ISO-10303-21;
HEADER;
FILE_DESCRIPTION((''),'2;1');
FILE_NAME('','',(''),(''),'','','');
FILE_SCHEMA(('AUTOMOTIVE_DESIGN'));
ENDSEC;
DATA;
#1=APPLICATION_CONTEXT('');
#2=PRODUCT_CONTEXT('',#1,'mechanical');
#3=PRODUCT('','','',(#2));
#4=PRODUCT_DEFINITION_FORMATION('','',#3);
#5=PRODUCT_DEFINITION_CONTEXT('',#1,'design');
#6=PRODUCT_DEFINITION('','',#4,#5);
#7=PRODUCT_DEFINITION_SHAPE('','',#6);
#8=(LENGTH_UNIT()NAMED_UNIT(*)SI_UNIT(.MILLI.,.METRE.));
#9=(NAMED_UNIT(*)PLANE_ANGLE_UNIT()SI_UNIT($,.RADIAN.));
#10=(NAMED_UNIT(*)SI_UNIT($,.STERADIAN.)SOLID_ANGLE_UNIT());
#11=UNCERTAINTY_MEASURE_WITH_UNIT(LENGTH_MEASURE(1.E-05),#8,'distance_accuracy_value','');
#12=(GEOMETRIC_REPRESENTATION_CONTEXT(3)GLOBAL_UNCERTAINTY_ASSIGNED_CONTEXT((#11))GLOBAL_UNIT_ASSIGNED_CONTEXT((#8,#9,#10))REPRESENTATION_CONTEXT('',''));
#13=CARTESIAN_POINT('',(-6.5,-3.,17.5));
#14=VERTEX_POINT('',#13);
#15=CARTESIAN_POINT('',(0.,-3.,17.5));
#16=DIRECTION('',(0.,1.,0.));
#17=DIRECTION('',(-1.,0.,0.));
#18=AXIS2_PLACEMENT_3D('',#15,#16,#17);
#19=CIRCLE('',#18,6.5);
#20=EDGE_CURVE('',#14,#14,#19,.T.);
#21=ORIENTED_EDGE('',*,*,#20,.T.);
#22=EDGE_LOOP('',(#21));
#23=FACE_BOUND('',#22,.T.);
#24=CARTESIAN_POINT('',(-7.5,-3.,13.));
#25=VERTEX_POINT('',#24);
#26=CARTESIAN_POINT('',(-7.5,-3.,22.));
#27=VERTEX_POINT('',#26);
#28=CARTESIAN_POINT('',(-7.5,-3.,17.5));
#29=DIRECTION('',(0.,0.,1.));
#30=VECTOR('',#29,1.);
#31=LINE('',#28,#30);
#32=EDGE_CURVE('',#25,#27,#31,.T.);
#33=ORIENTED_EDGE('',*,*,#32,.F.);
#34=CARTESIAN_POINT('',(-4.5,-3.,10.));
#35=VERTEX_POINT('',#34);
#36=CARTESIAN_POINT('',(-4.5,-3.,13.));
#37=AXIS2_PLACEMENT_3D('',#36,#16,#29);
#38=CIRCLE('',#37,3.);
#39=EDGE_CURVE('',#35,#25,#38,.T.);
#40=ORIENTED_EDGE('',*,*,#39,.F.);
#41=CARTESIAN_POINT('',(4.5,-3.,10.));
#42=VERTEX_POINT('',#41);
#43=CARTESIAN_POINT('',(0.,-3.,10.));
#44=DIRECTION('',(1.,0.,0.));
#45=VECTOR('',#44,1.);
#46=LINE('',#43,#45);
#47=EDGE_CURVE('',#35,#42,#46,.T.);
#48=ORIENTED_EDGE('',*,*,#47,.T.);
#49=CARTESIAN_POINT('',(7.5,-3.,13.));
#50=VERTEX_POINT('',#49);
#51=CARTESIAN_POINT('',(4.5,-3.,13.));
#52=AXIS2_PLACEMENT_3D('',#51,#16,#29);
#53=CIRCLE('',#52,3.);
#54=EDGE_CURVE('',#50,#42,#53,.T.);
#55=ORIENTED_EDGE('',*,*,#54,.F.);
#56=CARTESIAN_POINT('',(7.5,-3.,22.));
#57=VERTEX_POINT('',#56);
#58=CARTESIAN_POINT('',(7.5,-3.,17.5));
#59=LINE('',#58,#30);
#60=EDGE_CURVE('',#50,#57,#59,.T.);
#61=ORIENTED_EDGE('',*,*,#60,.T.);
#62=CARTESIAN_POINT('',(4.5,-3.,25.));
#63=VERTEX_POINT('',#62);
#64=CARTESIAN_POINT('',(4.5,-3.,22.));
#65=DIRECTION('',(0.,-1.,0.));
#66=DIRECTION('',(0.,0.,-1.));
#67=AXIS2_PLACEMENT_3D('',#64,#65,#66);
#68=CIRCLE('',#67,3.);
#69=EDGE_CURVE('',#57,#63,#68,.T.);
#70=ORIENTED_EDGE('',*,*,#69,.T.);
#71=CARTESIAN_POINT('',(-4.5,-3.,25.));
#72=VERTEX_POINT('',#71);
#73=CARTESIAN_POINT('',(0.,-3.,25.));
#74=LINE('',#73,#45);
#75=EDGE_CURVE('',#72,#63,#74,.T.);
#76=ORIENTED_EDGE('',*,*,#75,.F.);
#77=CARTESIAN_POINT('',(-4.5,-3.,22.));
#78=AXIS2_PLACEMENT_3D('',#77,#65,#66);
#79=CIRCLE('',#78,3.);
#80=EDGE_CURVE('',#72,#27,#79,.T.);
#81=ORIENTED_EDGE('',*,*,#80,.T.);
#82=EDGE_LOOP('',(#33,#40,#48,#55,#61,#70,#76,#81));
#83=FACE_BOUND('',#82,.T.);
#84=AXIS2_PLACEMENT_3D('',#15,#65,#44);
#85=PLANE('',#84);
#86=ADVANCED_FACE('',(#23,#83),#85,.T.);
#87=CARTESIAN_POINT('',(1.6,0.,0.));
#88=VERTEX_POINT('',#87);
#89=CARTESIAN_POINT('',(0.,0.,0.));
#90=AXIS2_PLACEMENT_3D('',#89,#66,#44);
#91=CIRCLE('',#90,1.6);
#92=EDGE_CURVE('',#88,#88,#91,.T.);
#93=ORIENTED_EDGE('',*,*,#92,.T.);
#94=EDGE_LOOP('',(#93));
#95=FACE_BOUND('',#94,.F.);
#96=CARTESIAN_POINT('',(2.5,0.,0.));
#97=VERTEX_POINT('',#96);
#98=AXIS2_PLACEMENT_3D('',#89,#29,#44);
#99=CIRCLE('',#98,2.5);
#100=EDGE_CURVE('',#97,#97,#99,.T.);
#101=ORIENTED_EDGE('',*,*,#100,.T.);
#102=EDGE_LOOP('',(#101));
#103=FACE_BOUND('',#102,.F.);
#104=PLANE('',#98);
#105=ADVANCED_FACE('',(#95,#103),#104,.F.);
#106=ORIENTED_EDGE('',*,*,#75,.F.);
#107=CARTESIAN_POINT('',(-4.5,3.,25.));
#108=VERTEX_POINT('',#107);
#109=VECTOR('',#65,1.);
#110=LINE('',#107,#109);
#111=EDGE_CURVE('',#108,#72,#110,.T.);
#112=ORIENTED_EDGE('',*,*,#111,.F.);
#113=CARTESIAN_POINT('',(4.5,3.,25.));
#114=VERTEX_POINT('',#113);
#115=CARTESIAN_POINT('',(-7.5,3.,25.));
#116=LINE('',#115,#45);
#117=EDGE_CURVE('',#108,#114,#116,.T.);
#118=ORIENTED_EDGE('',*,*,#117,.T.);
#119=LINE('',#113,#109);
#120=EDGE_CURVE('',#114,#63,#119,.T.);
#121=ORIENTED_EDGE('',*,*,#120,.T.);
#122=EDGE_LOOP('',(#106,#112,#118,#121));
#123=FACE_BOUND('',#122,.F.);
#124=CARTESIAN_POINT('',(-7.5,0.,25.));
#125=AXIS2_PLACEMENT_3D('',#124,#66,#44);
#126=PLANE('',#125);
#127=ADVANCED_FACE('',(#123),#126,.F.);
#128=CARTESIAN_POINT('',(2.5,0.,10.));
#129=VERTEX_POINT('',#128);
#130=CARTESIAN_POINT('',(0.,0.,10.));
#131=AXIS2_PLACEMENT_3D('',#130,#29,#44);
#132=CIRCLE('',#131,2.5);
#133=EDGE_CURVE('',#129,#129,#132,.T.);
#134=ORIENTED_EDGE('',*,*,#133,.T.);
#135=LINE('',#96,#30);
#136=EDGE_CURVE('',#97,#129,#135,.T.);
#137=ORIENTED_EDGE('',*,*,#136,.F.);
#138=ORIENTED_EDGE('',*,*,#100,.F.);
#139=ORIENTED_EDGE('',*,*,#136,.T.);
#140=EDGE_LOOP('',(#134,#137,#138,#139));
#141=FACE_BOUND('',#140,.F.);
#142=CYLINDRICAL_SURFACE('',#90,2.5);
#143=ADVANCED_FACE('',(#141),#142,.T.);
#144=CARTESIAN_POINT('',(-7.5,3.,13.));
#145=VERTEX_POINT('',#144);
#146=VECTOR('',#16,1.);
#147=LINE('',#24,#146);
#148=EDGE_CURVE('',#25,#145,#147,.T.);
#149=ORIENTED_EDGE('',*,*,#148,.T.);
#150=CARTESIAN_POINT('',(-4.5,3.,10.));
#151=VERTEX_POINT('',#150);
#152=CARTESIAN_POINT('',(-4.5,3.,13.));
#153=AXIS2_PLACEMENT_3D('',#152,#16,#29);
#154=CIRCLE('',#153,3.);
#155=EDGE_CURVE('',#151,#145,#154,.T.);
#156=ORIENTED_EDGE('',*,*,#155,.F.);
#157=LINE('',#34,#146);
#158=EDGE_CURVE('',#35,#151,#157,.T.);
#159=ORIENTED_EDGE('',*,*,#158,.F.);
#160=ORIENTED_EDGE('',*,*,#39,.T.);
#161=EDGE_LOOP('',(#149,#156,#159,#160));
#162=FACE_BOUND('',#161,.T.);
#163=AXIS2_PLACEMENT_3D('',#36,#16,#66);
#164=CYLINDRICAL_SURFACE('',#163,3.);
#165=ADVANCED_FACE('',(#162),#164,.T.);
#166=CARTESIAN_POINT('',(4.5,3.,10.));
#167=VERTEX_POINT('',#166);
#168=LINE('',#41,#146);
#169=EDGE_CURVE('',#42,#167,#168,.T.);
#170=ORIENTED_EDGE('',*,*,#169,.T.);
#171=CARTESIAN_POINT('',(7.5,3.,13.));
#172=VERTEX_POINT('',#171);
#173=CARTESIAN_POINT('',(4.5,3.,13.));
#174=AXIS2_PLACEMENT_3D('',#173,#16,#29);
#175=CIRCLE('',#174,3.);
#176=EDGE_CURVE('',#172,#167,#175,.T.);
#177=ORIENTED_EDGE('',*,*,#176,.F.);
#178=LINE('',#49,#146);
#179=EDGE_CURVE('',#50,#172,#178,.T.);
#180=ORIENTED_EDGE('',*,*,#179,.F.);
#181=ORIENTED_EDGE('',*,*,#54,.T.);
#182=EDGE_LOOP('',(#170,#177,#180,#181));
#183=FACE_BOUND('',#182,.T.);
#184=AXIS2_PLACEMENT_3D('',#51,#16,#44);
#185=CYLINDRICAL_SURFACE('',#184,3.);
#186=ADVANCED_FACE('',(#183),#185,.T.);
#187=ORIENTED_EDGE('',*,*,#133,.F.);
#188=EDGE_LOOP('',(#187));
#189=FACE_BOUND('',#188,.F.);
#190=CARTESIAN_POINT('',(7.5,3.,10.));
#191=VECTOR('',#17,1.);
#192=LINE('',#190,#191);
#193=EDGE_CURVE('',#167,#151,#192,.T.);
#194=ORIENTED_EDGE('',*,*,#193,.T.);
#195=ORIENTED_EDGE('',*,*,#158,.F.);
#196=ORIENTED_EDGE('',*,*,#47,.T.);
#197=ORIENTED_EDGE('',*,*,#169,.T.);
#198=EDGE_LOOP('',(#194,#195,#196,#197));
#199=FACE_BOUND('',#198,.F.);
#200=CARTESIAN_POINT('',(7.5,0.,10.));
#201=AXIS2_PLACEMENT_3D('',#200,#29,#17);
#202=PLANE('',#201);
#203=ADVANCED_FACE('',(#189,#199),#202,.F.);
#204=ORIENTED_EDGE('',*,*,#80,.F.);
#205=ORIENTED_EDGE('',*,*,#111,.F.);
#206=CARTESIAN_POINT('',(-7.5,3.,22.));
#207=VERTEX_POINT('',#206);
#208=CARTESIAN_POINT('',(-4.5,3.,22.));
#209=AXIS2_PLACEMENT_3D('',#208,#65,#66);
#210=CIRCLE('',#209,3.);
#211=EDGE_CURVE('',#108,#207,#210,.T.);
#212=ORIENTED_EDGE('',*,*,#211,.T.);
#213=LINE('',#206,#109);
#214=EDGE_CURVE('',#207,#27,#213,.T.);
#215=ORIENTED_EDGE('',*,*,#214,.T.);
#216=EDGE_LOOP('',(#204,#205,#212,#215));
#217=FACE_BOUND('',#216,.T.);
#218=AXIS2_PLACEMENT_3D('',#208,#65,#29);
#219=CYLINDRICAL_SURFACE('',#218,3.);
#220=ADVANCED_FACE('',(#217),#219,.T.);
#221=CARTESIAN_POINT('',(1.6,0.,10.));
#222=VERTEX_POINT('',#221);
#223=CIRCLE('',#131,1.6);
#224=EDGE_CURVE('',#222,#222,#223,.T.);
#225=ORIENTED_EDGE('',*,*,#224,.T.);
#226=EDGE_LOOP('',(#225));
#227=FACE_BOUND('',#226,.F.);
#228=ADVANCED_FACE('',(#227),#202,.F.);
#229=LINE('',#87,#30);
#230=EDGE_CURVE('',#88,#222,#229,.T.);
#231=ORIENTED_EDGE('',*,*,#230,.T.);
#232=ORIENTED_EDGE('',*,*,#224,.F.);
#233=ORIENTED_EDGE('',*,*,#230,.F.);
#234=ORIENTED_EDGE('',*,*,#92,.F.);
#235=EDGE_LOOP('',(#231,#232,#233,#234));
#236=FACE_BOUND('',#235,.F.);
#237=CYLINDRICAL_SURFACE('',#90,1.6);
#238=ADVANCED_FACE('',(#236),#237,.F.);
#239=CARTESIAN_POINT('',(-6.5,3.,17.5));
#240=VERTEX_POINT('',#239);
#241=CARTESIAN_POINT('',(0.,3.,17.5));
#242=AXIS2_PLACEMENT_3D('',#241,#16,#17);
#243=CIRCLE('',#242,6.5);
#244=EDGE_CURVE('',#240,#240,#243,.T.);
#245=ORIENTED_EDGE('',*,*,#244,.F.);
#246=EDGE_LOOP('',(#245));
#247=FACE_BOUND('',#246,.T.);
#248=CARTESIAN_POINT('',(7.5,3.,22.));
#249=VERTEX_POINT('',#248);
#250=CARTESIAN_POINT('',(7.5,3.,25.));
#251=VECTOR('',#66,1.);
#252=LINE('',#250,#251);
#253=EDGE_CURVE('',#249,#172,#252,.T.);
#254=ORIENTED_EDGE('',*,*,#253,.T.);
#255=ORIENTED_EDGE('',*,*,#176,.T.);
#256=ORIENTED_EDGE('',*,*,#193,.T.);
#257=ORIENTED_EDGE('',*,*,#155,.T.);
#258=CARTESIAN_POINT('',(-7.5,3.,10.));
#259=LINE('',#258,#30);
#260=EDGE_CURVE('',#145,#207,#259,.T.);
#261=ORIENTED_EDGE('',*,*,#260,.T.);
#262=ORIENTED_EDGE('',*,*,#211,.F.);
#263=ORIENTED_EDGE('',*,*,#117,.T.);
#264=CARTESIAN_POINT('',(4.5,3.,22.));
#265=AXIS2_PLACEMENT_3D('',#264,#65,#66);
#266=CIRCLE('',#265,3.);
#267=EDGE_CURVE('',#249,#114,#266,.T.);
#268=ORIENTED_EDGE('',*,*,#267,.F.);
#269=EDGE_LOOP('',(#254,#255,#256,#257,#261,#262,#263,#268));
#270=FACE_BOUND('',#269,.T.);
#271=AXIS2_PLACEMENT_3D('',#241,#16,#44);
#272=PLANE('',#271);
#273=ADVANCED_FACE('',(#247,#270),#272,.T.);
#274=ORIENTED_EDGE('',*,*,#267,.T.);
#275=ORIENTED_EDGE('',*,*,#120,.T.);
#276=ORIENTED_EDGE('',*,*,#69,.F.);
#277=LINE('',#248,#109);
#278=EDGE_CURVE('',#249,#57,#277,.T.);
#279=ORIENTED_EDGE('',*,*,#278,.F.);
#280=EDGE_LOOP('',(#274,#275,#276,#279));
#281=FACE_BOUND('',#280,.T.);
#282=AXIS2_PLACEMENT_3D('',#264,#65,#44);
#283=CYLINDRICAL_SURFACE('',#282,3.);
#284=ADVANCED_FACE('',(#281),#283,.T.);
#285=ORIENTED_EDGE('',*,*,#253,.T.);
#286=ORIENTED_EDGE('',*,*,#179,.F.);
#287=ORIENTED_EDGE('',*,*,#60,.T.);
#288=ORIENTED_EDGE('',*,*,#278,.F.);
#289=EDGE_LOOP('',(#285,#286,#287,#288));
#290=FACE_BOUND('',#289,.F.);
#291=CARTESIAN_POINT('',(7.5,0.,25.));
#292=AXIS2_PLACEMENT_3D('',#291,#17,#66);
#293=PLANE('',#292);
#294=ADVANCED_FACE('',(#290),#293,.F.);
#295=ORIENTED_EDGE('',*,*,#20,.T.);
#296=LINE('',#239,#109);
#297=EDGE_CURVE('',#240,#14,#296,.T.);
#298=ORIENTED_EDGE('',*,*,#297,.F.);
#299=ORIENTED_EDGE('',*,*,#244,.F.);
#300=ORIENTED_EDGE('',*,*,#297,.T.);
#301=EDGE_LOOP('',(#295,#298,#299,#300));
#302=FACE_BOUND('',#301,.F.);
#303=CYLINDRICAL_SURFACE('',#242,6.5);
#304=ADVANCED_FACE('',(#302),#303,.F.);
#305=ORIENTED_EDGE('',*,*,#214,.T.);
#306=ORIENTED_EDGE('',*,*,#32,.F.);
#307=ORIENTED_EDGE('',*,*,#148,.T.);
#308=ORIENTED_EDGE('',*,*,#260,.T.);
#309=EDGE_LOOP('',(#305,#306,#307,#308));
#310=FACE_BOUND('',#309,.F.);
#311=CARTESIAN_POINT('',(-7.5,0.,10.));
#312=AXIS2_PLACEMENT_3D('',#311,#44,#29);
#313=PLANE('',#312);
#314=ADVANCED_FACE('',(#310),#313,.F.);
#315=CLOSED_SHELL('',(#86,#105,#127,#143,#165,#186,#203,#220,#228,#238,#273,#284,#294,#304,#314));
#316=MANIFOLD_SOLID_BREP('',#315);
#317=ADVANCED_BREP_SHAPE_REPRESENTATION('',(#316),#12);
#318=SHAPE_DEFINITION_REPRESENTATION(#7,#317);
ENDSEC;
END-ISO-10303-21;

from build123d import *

# Parameters (mm, degrees)
SKETCH_R        = 2.5
PAD_DEPTH       = 20
SKETCH001_R     = 1.6
POCKET_DEPTH    = 10
POCKET_FACE3_R  = 2.5
POCKET001_DEPTH = 10
SKETCH002_W     = 15
SKETCH002_H     = 15
PAD001_DEPTH    = 3
PAD002_DEPTH    = 3
SKETCH003_R     = 6.5
POCKET002_DEPTH = 6.001
FILLET_R        = 3


with BuildPart() as part:
    # Sketch → Pad (new body)
    with BuildSketch(Plane.XY):
        Circle(SKETCH_R)
    extrude(amount=PAD_DEPTH)

    # Sketch001 (on Face2 of Pad) → Pocket (cut)
    with BuildSketch(Plane(origin=(0, 0, 0), x_dir=(1, 0, 0), z_dir=(0, 0, -1))):
        Circle(SKETCH001_R)
    extrude(amount=-POCKET_DEPTH, mode=Mode.SUBTRACT)

    # Pocket Face3 → Pocket001 (cut)
    with BuildSketch(Plane(origin=(0, 0, 20), x_dir=(0, 1, 0), z_dir=(0, 0, 1))):
        Circle(POCKET_FACE3_R)
    extrude(amount=-POCKET001_DEPTH, mode=Mode.SUBTRACT)

    # Sketch002 → Pad001 (join)
    with BuildSketch(Plane.XZ):
        with Locations((0, 17.5)):
            Rectangle(SKETCH002_W, SKETCH002_H)
    extrude(amount=PAD001_DEPTH)

    # Pad001 Face5 → Pad002 (add)
    with BuildSketch(Plane(origin=(0, 0, 17.5), x_dir=(1, 0, 0), z_dir=(0, 1, 0))):
        Polygon((7.5, -7.5), (7.5, 7.5), (2.5, 7.5), (1.6, 7.5), (-1.6, 7.5), (-2.5, 7.5), (-7.5, 7.5), (-7.5, -7.5), align=None)
    extrude(amount=PAD002_DEPTH)

    # Sketch003 (on Face3 of Pad002) → Pocket002 (cut, through all)
    with BuildSketch(Plane(origin=(0, 3, 0), x_dir=(-1, 0, 0), z_dir=(0, 1, 0))):
        with Locations((0, 17.5)):
            Circle(SKETCH003_R)
    extrude(amount=-POCKET002_DEPTH, mode=Mode.SUBTRACT)

    # Fillet
    fillet_edges = [part.edges().sort_by_distance(p)[0] for p in [
        (-7.5, 0, 25),
        (-7.5, 0, 10),
        (7.5, 0, 25),
        (7.5, 0, 10),
    ]]
    fillet(fillet_edges, radius=FILLET_R)


solid = part.part
